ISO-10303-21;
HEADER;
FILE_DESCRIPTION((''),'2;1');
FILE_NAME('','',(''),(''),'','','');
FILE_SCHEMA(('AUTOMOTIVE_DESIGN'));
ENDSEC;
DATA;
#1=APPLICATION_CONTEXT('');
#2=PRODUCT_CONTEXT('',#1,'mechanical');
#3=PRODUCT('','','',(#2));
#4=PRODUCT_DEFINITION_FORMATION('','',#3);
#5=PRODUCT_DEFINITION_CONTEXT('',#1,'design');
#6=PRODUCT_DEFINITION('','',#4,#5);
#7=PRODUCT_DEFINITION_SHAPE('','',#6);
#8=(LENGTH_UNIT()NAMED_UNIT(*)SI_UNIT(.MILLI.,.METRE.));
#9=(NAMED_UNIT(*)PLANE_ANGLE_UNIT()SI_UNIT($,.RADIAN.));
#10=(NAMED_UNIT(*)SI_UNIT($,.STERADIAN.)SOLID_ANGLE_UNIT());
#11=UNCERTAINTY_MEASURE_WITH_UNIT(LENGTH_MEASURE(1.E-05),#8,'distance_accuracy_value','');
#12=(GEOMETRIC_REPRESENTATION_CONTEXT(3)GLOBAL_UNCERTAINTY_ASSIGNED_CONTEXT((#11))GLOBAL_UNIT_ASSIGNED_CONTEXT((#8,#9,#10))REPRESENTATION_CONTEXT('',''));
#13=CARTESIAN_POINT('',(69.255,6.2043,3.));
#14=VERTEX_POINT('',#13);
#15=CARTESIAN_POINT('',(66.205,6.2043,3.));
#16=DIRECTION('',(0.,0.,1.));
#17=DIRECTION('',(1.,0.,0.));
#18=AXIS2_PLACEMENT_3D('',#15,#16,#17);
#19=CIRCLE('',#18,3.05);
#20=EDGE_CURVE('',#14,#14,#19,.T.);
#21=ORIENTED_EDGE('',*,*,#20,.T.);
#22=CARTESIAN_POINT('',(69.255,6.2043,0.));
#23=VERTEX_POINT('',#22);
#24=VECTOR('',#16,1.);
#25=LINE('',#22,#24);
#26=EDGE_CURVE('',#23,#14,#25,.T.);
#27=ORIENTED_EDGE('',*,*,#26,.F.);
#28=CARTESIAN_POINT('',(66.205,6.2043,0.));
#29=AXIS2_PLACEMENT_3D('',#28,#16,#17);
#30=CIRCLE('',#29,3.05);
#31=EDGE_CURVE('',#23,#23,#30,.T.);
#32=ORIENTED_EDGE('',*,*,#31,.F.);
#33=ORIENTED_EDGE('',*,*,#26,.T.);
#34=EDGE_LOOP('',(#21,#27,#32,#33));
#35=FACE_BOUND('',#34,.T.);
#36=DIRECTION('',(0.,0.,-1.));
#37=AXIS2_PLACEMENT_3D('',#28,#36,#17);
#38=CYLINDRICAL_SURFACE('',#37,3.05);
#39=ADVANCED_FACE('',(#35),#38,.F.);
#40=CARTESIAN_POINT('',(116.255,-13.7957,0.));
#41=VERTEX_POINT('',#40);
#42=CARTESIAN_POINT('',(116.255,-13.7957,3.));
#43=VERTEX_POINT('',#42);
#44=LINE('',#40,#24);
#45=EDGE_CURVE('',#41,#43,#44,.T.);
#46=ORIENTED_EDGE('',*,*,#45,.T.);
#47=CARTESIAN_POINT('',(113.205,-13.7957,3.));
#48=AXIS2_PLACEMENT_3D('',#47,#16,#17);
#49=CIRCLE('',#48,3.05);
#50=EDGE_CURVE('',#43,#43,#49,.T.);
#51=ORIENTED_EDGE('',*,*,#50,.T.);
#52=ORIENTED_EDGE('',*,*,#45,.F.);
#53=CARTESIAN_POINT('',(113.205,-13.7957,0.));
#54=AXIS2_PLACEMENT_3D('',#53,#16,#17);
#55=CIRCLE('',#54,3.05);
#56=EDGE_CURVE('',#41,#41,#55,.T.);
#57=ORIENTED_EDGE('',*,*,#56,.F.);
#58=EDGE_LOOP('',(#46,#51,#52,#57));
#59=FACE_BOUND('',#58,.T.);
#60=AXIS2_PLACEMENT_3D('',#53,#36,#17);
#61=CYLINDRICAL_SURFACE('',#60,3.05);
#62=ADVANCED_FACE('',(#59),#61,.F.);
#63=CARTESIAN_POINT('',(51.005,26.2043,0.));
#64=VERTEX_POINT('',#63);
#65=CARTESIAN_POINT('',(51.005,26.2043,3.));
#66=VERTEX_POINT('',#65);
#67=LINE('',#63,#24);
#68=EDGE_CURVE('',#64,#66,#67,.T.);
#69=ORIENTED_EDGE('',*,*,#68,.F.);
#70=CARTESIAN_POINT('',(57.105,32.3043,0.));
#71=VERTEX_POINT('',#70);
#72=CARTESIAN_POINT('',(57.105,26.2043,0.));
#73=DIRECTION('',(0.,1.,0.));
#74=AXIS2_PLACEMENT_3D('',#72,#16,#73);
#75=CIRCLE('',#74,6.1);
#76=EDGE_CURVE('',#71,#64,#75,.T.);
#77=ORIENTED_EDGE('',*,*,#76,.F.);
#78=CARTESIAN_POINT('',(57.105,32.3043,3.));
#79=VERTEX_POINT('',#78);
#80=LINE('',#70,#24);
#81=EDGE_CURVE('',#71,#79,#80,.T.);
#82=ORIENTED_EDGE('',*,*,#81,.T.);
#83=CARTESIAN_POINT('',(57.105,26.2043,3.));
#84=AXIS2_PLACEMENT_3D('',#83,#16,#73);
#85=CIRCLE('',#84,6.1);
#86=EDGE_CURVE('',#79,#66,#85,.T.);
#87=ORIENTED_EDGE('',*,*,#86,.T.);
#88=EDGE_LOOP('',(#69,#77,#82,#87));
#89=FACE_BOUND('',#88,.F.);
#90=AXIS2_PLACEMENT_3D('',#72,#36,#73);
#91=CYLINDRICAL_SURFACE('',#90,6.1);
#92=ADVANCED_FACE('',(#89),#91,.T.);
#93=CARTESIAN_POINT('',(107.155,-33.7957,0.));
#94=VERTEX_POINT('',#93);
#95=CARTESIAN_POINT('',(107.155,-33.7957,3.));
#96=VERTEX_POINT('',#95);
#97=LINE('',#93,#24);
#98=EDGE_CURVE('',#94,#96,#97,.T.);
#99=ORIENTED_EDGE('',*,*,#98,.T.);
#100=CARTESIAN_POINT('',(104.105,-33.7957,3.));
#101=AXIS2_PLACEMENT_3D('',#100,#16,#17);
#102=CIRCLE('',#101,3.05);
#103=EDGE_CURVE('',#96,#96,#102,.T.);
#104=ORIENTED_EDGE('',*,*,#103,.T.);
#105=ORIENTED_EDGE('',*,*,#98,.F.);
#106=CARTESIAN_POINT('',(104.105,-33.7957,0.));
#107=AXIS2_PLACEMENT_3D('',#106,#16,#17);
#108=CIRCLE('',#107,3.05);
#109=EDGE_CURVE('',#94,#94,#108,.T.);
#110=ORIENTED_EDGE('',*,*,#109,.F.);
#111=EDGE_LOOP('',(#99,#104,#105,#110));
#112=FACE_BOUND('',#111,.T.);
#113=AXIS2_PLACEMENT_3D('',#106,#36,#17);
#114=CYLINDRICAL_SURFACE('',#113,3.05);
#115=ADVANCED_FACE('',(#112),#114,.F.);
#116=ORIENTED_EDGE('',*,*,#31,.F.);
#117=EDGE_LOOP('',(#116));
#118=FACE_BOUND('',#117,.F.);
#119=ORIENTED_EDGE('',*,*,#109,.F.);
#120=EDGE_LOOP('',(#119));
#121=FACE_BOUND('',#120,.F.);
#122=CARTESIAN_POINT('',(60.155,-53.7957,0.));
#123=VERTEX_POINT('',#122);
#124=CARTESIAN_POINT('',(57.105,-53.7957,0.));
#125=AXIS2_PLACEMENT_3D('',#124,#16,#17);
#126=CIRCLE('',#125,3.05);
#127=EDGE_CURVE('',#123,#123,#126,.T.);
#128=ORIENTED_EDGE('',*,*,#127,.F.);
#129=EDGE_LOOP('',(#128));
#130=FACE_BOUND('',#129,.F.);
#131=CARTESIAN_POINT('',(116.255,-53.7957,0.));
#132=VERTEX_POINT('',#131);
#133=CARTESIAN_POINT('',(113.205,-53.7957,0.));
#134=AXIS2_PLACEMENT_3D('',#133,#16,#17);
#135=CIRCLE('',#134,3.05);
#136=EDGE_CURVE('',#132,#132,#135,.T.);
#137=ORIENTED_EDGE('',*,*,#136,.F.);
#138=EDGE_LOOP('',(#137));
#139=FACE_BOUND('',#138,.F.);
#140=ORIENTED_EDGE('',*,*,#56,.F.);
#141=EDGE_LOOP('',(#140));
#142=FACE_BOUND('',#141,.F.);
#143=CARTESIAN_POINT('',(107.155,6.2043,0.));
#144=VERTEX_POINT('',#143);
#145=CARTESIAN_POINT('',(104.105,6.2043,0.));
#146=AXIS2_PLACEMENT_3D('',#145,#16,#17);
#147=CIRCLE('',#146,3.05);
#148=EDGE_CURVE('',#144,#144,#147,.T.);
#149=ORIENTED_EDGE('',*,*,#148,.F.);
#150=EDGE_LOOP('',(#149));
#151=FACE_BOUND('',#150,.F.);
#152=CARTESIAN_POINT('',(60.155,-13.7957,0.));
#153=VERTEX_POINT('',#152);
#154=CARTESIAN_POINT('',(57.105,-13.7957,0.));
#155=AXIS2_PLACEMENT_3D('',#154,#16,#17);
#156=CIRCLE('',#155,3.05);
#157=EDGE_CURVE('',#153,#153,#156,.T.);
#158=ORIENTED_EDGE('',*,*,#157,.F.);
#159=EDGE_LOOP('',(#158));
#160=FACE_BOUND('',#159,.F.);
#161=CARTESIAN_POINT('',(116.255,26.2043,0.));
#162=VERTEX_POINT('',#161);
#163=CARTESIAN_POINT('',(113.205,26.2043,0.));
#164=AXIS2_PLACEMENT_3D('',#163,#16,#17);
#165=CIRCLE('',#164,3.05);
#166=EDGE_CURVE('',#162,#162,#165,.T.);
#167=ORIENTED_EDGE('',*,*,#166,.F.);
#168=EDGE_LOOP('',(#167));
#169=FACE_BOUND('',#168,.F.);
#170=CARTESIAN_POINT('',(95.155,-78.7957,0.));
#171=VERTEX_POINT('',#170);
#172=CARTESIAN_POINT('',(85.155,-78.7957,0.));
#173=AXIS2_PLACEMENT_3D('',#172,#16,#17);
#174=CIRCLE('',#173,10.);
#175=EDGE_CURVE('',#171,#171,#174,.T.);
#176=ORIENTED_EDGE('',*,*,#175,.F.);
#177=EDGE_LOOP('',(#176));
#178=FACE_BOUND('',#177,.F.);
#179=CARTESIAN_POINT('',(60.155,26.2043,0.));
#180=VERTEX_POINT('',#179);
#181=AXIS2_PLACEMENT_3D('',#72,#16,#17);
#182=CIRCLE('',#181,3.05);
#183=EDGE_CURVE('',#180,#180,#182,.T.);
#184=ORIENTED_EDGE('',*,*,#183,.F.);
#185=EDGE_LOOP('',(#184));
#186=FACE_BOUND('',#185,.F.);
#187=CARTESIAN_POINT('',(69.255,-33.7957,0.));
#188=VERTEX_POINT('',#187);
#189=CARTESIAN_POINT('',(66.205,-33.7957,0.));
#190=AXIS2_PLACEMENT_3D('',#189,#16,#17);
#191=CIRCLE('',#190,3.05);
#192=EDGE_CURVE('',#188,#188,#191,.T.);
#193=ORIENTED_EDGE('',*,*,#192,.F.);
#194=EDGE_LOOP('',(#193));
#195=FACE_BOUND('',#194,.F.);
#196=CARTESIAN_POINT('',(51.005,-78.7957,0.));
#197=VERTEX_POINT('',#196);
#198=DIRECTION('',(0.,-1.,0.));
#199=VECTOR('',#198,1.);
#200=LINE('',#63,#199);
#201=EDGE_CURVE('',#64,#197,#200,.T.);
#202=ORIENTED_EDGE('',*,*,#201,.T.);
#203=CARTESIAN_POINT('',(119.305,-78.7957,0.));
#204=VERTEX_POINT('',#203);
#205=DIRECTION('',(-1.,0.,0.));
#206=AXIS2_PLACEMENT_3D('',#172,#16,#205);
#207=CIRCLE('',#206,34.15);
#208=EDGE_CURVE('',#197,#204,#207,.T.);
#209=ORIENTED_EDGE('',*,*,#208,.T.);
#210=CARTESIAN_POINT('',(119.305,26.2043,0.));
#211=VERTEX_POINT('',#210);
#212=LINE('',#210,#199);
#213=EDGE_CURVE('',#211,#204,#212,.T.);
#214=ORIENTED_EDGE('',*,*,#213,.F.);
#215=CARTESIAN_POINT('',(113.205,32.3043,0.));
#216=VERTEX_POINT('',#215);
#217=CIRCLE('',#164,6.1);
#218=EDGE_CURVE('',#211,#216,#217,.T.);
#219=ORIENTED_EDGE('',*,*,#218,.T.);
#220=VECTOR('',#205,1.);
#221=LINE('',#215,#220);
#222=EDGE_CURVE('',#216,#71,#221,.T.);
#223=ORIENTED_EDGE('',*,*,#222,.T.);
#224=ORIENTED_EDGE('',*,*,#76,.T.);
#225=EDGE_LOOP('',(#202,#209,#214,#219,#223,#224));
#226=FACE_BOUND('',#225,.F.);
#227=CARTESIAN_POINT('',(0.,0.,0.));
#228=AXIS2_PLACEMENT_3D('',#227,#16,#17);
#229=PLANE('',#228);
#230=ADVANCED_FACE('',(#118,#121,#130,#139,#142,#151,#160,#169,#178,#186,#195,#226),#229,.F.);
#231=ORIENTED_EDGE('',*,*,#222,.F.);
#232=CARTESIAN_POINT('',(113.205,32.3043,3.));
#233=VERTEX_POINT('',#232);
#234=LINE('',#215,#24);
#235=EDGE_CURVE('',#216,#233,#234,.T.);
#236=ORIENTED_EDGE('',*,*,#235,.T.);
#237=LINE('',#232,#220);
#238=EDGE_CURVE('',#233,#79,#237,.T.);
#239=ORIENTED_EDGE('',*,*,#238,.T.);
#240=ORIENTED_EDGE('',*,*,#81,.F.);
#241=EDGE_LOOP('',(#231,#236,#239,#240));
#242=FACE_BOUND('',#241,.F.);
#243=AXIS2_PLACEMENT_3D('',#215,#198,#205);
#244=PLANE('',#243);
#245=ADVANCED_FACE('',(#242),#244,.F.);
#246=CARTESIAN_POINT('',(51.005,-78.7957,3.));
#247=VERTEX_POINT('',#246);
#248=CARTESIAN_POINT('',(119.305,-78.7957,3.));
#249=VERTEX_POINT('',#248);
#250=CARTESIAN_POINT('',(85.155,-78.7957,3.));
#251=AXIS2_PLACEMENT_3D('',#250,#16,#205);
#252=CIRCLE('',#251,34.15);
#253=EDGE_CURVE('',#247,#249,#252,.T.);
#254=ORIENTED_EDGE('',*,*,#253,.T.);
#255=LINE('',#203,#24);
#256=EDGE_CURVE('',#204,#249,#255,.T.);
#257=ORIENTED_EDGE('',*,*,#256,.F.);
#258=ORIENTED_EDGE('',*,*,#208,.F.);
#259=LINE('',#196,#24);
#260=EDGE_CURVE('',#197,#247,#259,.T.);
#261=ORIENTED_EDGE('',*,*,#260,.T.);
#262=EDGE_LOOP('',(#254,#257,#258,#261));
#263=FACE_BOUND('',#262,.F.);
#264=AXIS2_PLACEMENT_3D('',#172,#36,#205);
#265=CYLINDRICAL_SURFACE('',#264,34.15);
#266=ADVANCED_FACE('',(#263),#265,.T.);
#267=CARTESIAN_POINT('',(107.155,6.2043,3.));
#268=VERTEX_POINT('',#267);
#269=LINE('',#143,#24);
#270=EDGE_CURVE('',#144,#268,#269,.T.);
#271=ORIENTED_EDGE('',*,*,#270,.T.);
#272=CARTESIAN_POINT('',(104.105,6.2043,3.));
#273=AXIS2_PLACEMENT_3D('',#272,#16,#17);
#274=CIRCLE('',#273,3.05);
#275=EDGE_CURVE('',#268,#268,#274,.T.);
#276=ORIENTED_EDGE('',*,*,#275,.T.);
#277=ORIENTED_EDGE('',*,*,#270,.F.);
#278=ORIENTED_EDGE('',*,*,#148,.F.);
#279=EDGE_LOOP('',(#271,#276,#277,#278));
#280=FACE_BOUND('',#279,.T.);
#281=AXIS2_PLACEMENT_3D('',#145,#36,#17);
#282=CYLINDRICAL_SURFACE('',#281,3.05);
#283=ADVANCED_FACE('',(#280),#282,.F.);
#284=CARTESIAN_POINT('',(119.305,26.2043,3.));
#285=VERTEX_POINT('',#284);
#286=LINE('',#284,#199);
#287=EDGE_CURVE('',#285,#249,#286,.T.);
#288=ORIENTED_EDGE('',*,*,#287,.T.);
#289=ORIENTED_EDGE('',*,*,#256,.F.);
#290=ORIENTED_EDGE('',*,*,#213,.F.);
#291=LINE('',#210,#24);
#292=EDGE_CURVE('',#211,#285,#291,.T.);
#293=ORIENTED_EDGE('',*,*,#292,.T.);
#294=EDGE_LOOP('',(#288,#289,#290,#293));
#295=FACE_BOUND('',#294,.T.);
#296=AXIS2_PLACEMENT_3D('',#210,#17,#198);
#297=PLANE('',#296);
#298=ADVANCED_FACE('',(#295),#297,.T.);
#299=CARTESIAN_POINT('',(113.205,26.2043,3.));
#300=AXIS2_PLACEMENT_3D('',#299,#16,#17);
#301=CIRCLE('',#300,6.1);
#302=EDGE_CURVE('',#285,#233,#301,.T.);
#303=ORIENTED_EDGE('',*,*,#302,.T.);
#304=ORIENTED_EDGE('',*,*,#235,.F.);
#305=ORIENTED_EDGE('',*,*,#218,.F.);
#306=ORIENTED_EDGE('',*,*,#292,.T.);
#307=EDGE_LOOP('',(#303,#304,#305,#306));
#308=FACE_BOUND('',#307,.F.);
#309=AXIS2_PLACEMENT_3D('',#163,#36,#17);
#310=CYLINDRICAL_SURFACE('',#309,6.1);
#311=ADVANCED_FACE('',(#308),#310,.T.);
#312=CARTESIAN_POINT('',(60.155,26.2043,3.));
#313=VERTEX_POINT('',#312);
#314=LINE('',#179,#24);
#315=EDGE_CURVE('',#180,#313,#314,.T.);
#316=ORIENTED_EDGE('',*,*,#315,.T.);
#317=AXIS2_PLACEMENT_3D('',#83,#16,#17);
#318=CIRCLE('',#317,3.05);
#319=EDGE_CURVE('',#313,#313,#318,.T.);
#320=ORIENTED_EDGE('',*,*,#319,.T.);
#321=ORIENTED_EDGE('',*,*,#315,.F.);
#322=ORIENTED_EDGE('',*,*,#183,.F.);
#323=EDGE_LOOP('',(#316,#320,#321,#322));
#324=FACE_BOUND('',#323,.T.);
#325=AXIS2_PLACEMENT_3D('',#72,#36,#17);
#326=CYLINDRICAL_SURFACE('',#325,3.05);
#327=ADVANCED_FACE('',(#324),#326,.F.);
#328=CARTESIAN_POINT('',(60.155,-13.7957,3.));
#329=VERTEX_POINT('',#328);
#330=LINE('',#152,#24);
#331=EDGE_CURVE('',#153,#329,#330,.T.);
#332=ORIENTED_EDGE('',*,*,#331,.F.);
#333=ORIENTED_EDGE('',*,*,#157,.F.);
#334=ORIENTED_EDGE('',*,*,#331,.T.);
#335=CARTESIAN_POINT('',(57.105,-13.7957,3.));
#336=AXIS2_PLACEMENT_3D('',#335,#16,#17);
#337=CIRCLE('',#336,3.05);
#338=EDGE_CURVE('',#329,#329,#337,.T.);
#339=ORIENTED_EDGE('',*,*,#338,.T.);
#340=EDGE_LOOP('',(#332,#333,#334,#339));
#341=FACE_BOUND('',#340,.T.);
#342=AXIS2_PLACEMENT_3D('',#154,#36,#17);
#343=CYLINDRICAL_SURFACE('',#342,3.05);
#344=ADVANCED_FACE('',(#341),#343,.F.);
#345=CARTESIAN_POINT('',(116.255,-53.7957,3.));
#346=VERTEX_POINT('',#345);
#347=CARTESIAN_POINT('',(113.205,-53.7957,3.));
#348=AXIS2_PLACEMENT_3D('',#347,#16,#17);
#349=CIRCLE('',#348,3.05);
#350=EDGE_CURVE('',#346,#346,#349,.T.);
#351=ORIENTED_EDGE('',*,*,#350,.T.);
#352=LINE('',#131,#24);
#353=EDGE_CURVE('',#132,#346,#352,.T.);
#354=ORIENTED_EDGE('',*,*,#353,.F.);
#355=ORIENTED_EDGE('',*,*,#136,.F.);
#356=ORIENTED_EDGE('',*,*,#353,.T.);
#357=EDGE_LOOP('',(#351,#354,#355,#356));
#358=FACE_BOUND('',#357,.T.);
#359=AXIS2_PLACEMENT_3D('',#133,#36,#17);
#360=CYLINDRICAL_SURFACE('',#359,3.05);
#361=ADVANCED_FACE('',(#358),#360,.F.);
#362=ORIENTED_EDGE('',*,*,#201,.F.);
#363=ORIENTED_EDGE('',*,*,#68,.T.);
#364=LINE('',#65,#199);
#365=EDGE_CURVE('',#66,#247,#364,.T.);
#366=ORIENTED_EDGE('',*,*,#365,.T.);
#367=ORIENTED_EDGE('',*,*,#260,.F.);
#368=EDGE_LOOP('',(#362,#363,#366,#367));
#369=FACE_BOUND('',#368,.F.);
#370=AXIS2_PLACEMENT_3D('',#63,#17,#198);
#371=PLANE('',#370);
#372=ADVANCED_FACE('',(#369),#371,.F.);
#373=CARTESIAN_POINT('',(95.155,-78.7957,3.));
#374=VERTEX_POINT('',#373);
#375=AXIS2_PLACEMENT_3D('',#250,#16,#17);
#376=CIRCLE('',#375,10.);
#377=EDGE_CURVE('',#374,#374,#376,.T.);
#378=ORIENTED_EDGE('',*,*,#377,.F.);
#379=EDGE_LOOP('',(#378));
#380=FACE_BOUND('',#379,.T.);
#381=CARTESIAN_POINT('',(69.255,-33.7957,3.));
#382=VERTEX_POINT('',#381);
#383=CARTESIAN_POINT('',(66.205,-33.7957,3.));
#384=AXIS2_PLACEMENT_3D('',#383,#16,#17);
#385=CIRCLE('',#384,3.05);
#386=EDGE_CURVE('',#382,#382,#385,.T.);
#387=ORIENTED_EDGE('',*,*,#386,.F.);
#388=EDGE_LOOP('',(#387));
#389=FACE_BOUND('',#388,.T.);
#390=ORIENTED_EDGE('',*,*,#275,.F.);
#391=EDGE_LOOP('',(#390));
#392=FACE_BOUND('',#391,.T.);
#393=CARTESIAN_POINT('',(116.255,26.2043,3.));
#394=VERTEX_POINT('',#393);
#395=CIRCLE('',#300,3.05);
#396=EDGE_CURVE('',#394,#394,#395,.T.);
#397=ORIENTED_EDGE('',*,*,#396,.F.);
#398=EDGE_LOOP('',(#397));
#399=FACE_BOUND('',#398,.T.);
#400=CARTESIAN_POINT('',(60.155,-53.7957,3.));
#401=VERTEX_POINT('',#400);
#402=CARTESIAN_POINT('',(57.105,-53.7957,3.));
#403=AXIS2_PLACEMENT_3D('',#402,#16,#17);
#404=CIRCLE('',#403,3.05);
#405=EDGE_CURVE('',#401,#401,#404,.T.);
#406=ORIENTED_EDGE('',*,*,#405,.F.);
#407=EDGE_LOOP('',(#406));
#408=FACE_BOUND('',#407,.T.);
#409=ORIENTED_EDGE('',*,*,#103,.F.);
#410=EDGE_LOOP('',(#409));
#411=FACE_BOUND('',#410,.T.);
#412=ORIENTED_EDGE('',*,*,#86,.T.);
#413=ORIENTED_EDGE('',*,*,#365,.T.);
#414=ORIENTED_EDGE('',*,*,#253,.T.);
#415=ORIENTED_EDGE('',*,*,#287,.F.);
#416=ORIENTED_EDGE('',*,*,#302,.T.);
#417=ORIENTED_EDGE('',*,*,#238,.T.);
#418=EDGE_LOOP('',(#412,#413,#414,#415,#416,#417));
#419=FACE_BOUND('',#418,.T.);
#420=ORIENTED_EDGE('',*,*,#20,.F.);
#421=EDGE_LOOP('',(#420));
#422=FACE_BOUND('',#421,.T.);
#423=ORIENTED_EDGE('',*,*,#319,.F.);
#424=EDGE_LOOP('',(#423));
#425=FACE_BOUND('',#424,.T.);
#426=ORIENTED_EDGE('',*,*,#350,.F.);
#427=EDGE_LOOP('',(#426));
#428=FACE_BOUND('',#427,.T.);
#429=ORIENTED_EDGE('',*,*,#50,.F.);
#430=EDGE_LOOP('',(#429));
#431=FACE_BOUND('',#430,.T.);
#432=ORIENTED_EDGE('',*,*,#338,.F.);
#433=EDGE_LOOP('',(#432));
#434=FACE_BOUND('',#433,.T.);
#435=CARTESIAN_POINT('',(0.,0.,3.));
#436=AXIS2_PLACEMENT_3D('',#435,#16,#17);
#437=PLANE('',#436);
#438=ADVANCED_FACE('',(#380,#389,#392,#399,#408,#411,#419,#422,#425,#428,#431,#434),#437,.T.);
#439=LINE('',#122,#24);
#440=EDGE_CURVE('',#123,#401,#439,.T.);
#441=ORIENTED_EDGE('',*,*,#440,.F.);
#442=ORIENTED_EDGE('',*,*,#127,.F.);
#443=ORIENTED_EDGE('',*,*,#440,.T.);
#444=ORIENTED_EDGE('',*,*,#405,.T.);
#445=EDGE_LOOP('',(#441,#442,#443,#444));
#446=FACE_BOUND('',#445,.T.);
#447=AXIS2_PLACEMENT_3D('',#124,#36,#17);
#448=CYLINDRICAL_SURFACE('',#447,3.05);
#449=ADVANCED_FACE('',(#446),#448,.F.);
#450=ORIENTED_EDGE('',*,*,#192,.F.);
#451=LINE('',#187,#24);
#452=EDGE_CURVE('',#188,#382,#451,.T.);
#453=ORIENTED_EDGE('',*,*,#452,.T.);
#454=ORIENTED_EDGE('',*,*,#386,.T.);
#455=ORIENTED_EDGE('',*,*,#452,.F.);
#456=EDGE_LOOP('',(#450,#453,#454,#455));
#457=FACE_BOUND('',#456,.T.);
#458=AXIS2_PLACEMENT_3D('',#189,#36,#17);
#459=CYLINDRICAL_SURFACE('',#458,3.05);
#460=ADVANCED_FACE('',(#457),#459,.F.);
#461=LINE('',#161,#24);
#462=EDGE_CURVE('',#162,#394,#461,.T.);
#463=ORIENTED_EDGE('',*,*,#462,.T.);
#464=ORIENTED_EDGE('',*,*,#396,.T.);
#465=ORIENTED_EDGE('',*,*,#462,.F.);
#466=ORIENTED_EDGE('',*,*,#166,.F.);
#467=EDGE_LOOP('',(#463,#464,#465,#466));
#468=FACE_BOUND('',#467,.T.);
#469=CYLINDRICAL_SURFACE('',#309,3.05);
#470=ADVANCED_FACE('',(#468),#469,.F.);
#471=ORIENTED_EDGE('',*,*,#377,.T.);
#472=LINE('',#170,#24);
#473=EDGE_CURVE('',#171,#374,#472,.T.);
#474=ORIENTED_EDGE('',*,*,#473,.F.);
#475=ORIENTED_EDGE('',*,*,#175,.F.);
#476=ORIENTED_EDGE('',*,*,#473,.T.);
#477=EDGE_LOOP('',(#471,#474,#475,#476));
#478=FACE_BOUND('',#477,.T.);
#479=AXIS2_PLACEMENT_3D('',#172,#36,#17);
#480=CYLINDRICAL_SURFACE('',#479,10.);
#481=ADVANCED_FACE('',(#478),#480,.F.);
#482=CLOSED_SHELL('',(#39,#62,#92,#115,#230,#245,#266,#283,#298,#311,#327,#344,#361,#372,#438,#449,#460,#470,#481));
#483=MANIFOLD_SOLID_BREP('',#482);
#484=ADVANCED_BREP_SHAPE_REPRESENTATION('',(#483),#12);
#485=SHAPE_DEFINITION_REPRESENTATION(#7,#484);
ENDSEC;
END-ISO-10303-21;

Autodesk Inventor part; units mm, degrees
ref_plane "YZ Plane" through (0, 0, 0) normal (1, 0, 0) x (0, 1, 0)
ref_plane "XZ Plane" through (0, 0, 0) normal (0, 1, 0) x (-1, 0, 0)
ref_plane "XY Plane" through (0, 0, 0) normal (0, 0, 1) x (1, 0, 0)
sketch "Эскиз3" plane through (0, 0, 0) normal (0, 0, 1) x (1, 0, 0)
  line L0 (110.155, -68.7957) -> (60.155, -68.7957) construction
  line L1 (60.155, -68.7957) -> (60.155, 68.0464) construction
  line L2 (110.155, 68.0464) -> (110.155, -68.7957) construction
  circle A0 centre (57.105, -53.7957) radius 3.05
  circle A1 centre (57.105, -13.7957) radius 3.05
  circle A2 centre (57.105, 26.2043) radius 3.05
  circle A3 centre (113.205, -53.7957) radius 3.05
  circle A4 centre (113.205, -13.7957) radius 3.05
  circle A5 centre (113.205, 26.2043) radius 3.05
  circle A6 centre (85.155, -78.7957) radius 10
  line L3 (85.155, -21.4404) -> (85.155, -113.936) construction
  arc A7 (119.305, 26.2043) -> (113.205, 32.3043) centre (113.205, 26.2043) ccw
  arc A8 (57.105, 32.3043) -> (51.005, 26.2043) centre (57.105, 26.2043) ccw
  line L4 (113.205, 32.3043) -> (57.105, 32.3043)
  line L5 (119.305, 26.2043) -> (119.305, -78.7957)
  line L6 (51.005, 26.2043) -> (51.005, -78.7957)
  arc A9 (51.005, -78.7957) -> (119.305, -78.7957) centre (85.155, -78.7957) ccw
  circle A10 centre (66.205, -33.7957) radius 3.05
  circle A11 centre (66.205, 6.2043) radius 3.05
  circle A12 centre (104.105, -33.7957) radius 3.05
  circle A13 centre (104.105, 6.2043) radius 3.05
  point P0 (0, 0)
  dimension "d8" = 50
  dimension "d11" = 40
  dimension "d14" = 56.1
  dimension "d17" = 6.1
  dimension "d18" = 15
  dimension "d19" = 20
  dimension "d20" = 12.2
  dimension "d21" = 12.2
  dimension "d24" = 40
  dimension "d27" = 37.9
  dimension "d30" = 20
extrude "Выдавливание3" add sketch "Эскиз3" along normal blind 3
equation "\"d8\" = hight_profile_femur"
equation "\"d14\" = hight_profile_femur + d_main_screw_holes"
equation "\"d17\" = d_main_screw_holes"
equation "\"d19\" = d_main_shaft"
equation "\"d20\" = 2 * d_main_screw_holes"
equation "\"d21\" = 2 * d_main_screw_holes"
equation "\"d27\" = -d_main_screw_holes + hight_profile_femur - 2 * thickness_profile_femur"
equation "\"d6\" = thickness_steel"
equation "\"tolerance_plazma\" = 0.1"
equation "\"thickness_steel\" = 3"
equation "\"d_main_screw_holes\" = 6.1"
equation "\"d_main_shaft\" = 20"
equation "\"thickness_profile_tibea\" = 4"
equation "\"thickness_profile_femur\" = 3"
equation "\"width_shaft_shift\" = 35"
equation "\"hight_profile_femur\" = 50"
equation "\"width_flattened_surface\" = 12"
properties part number "femur_outside_steel" material "Сталь"
